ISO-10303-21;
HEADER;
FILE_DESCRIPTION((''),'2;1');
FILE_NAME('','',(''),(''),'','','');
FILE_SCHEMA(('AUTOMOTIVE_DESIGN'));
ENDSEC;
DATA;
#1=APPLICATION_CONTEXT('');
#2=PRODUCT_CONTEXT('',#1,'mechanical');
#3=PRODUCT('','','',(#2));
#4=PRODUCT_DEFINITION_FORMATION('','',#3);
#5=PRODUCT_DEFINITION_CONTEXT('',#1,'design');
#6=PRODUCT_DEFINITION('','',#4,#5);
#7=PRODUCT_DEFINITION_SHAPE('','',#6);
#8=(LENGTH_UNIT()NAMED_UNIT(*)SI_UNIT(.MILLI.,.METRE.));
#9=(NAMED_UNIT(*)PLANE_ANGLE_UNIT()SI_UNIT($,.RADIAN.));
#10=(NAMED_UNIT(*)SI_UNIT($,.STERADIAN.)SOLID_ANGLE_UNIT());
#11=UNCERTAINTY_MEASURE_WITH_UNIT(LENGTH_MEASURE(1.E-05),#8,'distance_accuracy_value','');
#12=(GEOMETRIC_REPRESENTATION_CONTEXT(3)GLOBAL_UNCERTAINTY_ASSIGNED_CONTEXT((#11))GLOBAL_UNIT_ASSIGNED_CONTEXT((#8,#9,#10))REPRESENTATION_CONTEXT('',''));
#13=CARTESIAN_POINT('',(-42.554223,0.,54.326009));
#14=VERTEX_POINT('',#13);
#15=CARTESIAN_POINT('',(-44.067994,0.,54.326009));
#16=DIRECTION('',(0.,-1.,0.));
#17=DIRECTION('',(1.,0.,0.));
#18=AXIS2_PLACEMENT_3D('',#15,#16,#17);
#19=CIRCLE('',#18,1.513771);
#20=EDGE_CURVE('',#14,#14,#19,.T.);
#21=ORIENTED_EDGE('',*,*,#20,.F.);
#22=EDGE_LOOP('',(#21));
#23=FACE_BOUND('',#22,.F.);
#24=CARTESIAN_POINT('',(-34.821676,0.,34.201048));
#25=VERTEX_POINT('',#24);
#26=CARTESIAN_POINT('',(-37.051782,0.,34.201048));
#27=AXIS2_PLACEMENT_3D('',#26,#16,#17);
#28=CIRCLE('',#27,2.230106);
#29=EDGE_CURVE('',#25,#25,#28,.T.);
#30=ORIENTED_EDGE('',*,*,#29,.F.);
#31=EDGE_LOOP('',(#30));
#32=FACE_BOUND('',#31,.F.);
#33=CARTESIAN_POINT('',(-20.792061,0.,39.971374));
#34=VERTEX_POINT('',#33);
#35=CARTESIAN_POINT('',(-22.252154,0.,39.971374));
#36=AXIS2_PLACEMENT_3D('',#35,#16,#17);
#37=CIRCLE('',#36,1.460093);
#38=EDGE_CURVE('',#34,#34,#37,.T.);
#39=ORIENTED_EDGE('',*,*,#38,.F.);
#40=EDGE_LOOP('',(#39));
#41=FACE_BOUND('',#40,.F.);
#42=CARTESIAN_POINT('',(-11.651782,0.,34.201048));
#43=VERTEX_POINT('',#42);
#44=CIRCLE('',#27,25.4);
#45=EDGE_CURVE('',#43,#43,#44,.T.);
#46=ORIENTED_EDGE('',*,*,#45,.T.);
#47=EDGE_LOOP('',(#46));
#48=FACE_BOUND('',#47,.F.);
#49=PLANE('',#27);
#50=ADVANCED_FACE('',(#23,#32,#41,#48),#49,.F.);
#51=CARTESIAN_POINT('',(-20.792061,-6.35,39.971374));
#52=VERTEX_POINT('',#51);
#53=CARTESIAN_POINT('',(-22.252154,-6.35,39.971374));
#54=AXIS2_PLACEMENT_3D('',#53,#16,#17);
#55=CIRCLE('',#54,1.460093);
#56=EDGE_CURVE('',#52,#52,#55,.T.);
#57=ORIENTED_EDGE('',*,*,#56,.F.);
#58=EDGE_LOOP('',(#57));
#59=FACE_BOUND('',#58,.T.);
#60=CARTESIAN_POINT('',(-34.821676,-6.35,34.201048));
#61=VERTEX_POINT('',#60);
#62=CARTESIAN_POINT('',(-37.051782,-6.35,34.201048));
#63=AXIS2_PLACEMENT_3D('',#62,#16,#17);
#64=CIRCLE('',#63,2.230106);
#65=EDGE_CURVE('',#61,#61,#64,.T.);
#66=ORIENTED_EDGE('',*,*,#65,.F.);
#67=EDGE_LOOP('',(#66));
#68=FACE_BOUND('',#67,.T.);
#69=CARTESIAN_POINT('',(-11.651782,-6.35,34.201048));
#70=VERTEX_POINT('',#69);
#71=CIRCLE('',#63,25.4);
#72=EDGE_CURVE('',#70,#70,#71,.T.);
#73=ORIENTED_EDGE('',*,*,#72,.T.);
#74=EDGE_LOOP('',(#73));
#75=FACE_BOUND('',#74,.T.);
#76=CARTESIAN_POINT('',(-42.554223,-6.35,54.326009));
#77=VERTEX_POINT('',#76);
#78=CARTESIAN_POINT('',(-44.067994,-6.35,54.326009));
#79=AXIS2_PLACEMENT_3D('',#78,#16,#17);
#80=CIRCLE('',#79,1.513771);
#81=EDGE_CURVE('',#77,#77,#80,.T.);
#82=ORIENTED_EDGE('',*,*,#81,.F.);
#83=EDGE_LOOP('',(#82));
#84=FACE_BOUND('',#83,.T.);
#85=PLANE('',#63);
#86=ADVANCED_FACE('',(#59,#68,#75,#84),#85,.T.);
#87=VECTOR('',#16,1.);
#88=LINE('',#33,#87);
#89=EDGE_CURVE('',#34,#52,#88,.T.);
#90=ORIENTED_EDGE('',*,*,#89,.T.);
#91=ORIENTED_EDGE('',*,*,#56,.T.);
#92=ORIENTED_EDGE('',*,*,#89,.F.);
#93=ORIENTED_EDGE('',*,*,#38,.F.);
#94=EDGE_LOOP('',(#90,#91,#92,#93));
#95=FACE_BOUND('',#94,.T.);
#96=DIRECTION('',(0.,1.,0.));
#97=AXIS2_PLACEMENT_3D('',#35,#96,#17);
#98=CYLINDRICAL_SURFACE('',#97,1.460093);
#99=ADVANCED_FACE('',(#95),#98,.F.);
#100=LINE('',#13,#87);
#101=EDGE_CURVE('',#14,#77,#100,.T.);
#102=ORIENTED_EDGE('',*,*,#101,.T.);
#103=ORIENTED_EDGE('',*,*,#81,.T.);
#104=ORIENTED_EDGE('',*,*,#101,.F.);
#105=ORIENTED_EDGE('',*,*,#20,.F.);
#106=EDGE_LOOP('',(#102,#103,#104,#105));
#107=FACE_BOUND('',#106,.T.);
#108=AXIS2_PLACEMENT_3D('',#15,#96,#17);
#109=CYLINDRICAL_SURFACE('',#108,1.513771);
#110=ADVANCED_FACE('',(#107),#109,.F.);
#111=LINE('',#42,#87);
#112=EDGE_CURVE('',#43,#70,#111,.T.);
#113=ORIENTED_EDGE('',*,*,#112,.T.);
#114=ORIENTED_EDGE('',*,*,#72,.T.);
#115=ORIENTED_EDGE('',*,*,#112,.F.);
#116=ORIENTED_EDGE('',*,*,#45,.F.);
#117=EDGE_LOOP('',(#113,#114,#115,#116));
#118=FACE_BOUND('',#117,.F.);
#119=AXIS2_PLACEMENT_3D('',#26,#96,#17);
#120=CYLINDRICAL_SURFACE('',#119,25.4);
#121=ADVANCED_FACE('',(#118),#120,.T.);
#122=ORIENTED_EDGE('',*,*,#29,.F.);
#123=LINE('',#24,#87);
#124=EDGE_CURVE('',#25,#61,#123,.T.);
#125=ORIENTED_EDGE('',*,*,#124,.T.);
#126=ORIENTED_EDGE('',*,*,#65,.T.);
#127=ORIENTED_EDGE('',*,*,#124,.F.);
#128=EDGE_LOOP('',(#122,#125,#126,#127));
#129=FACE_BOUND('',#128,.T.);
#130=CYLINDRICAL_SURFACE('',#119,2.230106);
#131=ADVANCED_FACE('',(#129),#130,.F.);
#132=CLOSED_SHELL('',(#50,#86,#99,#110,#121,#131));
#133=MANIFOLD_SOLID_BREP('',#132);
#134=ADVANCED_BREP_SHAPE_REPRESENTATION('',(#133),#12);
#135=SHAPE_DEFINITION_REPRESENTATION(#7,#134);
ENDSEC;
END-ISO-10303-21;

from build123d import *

# Parameters (mm, degrees)
F0_R     = 25.4
F0_R_2   = 2.230106
F0_R_3   = 1.513771
F0_R_4   = 1.460093
F1_DEPTH = 6.35


with BuildPart() as f1:
    # F0 (on Front) → F1 (new body)
    with BuildSketch(Plane.XZ):
        with Locations((-37.051782, 34.201048)):
            Circle(F0_R)
        with Locations((-37.051782, 34.201048)):
            Circle(F0_R_2, mode=Mode.SUBTRACT)
        with Locations((-44.067994, 54.326009)):
            Circle(F0_R_3, mode=Mode.SUBTRACT)
        with Locations((-22.252154, 39.971374)):
            Circle(F0_R_4, mode=Mode.SUBTRACT)
    extrude(amount=F1_DEPTH)


solid = f1.part
